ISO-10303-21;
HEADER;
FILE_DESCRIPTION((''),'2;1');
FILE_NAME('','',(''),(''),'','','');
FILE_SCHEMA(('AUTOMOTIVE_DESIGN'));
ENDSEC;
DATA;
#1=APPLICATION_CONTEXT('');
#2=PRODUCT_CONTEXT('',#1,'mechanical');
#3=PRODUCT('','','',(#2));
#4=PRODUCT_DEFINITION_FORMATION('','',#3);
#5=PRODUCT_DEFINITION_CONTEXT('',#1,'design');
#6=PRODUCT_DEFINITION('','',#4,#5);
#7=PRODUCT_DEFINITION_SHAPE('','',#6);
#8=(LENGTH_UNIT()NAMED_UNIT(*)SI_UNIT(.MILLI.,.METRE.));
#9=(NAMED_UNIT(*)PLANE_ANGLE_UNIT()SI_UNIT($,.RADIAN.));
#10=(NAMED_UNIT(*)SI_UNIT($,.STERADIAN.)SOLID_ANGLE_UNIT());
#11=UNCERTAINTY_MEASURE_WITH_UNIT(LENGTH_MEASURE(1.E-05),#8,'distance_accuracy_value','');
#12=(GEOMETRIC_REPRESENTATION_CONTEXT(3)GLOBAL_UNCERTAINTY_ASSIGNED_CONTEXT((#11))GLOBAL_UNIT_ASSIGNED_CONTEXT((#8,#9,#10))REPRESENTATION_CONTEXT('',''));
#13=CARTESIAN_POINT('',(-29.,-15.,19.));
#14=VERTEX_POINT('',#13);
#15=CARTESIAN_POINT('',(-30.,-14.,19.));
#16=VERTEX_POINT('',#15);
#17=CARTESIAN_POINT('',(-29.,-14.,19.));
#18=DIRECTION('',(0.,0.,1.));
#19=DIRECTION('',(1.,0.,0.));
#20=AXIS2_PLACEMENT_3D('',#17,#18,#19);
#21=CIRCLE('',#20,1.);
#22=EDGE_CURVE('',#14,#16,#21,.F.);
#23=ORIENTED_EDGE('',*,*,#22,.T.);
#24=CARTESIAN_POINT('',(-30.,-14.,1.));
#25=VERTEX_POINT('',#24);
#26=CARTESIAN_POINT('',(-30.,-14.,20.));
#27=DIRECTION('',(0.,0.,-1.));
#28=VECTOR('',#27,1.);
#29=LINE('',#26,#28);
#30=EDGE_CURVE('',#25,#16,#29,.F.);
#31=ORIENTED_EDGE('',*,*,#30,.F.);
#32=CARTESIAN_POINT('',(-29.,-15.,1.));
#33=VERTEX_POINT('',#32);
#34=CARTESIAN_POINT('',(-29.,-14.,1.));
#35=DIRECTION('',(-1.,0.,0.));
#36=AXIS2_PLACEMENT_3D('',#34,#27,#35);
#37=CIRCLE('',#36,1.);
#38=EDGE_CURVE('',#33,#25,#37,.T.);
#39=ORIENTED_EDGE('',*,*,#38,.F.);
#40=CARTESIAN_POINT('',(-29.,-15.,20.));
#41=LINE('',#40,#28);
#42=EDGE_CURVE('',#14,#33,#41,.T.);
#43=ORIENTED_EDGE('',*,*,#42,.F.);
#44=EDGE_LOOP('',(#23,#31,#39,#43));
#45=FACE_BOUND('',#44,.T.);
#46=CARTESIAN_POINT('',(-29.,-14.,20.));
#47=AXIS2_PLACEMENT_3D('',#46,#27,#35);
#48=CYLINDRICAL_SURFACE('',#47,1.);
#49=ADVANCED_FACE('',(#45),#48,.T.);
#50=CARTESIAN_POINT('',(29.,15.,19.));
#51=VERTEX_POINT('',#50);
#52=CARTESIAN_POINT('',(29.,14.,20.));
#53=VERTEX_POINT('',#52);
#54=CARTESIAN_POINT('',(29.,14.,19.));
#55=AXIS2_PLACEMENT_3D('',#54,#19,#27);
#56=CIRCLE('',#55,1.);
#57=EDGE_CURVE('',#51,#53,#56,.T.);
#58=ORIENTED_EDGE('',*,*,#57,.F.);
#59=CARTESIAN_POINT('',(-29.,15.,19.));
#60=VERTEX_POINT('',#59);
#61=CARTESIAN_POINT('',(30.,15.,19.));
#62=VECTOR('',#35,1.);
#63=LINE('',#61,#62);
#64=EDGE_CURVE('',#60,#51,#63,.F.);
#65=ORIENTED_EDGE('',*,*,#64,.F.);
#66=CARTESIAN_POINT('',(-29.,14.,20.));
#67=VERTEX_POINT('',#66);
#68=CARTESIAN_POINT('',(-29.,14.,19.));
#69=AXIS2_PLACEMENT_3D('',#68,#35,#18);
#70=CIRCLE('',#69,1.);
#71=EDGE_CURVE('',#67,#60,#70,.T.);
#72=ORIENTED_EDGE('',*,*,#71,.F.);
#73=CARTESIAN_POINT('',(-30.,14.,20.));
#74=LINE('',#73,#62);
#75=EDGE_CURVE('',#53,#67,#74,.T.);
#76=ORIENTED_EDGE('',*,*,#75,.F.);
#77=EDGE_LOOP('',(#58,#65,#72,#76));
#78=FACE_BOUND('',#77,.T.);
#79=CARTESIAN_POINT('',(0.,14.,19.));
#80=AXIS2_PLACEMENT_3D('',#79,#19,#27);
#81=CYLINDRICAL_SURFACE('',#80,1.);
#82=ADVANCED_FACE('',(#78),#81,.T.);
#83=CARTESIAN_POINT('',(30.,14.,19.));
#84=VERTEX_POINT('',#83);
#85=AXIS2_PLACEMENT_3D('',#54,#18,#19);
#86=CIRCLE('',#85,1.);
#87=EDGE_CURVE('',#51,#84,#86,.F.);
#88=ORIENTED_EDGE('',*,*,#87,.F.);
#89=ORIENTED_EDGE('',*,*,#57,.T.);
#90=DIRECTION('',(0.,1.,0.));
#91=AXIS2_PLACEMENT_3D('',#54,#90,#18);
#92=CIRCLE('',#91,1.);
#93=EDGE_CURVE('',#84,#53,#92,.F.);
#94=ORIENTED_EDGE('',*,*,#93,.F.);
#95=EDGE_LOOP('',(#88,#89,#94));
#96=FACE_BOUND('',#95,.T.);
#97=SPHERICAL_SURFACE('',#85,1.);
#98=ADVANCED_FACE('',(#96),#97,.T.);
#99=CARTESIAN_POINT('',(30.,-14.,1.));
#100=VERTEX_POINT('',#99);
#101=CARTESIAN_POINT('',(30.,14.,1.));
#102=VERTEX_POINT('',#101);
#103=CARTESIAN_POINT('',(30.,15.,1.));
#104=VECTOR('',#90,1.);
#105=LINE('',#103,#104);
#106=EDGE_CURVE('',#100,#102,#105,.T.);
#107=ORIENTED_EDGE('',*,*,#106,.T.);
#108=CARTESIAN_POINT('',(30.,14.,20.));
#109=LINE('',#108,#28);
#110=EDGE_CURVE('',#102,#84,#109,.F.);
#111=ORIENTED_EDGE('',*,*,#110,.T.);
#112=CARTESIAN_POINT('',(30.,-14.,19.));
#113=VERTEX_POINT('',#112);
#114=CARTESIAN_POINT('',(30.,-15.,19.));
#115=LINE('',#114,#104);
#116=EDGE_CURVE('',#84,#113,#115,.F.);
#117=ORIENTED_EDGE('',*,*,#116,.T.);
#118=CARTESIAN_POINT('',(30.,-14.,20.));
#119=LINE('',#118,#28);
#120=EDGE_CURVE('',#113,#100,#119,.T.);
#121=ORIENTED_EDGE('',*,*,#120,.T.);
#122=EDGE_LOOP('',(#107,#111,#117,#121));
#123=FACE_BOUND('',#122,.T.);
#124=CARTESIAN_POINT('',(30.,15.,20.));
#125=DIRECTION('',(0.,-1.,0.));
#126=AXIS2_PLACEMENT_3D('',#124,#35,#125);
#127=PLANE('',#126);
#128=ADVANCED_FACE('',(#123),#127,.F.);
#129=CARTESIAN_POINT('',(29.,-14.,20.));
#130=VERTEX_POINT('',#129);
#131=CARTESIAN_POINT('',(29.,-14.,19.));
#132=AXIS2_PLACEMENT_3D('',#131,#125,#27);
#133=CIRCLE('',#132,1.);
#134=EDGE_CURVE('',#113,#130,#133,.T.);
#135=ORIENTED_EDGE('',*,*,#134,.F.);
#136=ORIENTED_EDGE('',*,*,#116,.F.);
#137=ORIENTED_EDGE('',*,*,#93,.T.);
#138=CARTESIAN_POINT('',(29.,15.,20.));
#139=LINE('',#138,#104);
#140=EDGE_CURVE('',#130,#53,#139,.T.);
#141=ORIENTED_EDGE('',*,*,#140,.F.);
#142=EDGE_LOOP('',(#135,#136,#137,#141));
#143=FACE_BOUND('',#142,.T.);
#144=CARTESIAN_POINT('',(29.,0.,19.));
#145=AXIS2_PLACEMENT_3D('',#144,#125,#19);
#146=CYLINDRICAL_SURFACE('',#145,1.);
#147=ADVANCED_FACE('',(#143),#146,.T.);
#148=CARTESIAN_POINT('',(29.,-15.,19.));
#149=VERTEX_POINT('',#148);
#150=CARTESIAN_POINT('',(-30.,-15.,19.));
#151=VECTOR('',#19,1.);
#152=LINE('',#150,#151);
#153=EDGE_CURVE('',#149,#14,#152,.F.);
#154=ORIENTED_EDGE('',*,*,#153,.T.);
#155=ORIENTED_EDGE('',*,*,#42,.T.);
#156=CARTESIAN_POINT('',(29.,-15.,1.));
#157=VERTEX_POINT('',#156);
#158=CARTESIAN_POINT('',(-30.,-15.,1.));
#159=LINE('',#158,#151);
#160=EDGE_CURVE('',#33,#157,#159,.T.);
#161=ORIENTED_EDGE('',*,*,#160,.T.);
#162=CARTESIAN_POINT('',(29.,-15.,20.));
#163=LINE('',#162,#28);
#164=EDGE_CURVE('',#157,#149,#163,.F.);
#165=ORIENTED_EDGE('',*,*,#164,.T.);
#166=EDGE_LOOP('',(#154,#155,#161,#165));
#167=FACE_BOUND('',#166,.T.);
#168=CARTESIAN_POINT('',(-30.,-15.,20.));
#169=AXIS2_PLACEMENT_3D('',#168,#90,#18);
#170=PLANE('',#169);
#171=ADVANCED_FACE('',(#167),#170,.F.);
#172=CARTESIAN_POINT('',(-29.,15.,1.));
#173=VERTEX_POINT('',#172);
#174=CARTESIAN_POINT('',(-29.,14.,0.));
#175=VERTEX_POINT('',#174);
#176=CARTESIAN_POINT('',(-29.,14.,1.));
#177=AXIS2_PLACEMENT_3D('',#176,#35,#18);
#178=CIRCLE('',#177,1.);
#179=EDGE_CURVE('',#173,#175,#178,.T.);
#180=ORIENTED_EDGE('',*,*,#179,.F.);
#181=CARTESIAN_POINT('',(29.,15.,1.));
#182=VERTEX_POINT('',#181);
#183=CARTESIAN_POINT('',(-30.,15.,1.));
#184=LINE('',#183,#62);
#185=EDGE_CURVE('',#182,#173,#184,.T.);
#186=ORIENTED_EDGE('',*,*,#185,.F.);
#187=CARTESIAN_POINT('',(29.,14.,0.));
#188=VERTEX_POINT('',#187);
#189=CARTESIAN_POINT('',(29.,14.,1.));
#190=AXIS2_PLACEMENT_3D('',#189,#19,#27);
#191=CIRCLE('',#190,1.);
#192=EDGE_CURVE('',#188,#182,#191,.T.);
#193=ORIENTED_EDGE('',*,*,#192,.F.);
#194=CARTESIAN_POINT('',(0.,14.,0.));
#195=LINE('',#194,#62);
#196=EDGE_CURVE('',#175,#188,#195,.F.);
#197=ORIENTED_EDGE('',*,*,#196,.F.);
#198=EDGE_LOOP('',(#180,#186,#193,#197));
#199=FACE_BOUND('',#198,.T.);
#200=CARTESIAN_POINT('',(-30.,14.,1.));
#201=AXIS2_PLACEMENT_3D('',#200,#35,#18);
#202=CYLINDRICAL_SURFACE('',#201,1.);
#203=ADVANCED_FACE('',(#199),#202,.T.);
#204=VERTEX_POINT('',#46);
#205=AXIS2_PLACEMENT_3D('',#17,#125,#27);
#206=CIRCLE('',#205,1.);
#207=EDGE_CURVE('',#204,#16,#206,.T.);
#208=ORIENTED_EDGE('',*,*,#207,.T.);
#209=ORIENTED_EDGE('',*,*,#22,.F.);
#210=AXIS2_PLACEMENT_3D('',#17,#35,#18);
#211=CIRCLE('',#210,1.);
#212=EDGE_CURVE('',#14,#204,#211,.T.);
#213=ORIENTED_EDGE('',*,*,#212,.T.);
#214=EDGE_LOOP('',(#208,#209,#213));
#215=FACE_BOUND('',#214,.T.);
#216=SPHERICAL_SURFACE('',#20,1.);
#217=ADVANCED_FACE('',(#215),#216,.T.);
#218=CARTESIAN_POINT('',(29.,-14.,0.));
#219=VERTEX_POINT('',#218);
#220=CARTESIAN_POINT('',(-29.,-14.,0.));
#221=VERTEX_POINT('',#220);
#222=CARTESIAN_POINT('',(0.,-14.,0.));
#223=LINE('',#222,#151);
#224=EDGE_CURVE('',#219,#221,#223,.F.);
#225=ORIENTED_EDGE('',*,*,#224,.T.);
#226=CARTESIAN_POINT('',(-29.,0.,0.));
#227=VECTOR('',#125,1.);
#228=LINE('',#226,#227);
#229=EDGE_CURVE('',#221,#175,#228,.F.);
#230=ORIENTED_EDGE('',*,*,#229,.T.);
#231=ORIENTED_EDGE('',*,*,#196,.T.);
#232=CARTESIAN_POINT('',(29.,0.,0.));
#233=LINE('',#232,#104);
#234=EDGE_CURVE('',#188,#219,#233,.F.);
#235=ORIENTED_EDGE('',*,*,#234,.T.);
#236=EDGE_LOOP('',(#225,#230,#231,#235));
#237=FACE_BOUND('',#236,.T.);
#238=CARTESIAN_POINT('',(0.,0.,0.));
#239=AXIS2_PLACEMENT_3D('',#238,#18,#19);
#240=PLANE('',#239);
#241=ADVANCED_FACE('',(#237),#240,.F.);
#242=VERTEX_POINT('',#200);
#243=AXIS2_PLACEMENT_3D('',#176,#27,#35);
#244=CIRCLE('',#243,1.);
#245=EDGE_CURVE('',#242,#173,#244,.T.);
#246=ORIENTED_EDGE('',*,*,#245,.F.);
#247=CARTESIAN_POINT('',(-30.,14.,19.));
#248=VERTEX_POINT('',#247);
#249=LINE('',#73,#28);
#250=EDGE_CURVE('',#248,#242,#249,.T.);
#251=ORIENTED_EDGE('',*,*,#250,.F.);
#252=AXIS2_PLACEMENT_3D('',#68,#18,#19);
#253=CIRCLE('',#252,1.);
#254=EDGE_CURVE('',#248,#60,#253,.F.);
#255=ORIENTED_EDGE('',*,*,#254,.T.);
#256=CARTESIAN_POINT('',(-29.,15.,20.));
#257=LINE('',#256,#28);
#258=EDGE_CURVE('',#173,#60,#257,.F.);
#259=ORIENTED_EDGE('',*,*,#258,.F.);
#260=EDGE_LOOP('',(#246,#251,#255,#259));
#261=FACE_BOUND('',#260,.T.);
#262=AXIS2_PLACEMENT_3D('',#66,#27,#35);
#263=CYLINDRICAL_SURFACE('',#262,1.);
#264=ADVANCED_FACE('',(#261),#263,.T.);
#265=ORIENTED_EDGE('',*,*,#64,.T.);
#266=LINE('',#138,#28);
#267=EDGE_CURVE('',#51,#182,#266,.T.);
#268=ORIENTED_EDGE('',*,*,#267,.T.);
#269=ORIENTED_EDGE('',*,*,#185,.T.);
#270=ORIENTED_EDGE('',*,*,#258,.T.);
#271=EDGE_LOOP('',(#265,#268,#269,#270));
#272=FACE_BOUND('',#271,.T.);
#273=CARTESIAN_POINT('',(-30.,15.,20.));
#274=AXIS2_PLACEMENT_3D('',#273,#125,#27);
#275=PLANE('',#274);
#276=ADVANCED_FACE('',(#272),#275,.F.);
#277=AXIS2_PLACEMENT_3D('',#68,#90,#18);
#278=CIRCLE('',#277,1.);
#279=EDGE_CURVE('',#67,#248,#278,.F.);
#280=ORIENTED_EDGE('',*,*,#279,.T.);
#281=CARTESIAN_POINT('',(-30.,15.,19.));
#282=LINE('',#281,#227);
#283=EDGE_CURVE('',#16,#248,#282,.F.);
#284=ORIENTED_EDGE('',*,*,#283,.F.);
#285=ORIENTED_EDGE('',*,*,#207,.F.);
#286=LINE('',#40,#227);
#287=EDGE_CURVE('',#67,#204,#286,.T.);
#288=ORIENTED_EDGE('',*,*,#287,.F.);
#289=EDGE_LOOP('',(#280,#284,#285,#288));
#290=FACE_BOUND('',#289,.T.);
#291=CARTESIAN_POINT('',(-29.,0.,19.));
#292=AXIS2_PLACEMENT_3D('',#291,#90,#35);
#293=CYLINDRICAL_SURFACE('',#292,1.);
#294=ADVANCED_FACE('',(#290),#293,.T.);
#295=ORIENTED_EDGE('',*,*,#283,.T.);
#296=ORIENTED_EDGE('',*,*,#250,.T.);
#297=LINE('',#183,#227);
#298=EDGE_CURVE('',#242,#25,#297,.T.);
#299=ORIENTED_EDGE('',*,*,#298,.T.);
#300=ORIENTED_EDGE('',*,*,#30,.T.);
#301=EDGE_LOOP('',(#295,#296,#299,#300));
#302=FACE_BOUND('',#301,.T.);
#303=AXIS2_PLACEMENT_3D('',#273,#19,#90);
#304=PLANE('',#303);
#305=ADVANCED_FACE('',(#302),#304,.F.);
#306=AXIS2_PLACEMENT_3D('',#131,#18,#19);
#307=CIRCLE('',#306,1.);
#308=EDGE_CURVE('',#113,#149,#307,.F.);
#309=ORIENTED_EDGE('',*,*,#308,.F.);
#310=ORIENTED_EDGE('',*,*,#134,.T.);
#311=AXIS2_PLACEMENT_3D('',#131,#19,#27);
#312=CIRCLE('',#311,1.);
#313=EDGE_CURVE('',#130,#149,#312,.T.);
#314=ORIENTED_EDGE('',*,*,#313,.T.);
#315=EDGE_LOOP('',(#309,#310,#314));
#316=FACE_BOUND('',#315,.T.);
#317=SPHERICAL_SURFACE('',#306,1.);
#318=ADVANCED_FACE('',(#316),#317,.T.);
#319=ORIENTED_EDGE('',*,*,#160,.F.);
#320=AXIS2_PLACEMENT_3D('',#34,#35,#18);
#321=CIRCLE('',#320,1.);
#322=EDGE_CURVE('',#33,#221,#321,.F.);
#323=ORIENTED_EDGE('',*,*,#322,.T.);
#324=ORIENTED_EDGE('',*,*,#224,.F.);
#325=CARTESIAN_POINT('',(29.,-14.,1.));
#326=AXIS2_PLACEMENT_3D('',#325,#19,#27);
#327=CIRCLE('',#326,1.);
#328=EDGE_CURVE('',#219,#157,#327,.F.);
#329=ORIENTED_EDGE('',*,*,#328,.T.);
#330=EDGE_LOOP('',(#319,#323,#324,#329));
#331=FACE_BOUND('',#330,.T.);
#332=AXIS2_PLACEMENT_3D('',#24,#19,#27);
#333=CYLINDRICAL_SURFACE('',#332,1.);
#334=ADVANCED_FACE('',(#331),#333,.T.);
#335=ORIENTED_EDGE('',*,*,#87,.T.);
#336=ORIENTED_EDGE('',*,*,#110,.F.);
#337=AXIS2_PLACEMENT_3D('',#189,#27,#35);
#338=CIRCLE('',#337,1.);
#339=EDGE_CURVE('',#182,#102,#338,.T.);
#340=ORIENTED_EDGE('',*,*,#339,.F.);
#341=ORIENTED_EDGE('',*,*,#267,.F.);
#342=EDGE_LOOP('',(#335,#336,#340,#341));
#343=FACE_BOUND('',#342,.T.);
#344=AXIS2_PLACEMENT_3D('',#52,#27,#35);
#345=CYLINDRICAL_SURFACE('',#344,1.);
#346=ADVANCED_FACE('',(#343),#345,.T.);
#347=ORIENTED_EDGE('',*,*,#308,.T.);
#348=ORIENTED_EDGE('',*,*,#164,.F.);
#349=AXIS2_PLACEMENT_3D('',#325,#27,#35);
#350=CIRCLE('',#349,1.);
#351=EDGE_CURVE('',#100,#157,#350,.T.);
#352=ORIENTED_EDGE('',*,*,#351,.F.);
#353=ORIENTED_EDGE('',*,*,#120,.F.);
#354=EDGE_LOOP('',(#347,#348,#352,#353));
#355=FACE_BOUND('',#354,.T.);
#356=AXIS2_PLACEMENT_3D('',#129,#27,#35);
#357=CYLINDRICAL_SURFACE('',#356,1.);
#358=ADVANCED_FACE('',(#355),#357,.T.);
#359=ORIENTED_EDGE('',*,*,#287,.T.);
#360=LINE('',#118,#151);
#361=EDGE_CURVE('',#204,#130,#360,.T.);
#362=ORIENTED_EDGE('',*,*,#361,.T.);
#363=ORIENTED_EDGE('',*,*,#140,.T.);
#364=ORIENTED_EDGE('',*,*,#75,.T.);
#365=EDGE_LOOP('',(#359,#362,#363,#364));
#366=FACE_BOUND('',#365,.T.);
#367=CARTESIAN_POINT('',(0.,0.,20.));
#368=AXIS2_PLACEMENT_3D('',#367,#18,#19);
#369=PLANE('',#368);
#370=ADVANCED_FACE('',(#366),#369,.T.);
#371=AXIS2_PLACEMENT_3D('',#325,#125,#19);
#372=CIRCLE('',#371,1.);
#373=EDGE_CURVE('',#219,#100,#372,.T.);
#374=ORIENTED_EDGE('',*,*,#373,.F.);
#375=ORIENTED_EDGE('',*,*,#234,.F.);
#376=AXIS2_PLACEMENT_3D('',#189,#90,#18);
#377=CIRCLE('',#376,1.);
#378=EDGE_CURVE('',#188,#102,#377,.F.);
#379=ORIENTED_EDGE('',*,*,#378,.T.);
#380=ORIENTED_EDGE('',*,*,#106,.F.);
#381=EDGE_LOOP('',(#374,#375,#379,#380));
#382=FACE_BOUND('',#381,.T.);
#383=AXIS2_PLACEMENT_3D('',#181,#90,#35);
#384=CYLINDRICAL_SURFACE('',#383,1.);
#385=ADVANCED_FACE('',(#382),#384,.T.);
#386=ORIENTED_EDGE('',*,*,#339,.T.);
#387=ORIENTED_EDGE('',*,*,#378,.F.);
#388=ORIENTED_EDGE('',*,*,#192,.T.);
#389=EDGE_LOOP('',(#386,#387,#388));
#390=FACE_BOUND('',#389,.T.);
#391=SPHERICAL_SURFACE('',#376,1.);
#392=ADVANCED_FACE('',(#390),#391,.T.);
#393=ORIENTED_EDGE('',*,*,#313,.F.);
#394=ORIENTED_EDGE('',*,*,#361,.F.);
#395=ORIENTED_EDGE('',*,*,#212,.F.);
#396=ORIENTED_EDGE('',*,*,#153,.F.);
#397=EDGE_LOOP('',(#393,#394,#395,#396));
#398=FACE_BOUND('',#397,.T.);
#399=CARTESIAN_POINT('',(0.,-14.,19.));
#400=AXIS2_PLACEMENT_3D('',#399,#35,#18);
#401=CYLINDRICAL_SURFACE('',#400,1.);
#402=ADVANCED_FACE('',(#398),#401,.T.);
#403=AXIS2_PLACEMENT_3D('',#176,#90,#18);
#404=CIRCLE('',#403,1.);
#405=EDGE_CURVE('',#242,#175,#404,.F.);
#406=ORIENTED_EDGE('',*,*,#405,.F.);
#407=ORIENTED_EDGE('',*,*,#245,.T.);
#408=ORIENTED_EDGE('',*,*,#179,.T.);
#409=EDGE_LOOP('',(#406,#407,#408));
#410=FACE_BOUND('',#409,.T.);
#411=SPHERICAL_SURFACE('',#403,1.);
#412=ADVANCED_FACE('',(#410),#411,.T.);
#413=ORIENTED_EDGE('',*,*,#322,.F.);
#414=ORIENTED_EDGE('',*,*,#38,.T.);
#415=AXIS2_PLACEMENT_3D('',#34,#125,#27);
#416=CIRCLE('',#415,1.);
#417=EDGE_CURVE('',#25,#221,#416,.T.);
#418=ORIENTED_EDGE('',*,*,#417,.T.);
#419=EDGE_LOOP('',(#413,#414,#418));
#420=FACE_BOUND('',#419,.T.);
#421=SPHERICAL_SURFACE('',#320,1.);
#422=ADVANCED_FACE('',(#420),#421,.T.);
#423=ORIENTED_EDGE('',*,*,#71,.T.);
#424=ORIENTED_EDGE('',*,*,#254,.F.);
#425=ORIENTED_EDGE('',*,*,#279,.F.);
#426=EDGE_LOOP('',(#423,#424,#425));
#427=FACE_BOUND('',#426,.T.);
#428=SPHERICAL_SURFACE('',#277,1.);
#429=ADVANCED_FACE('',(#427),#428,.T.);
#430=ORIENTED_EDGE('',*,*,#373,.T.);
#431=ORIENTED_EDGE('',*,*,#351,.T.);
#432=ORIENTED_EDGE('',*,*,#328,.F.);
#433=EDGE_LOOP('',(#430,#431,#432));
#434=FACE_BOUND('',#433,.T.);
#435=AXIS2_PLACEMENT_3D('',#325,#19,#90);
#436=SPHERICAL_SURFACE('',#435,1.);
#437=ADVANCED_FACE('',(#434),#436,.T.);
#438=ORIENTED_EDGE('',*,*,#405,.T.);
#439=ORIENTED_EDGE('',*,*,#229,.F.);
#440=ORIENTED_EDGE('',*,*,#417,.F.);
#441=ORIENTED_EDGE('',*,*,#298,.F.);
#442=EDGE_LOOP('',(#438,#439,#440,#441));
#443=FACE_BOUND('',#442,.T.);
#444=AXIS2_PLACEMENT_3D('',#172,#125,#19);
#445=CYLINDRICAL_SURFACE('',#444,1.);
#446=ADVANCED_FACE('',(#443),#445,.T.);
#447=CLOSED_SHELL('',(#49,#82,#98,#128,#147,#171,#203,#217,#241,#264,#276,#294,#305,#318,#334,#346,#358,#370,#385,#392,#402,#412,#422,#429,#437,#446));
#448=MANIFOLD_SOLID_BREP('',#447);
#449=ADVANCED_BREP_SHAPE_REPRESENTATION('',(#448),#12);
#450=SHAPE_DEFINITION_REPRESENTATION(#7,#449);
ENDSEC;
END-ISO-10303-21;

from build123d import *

# Parameters (mm, degrees)
CROQUIS1_W              = 60
CROQUIS1_H              = 30
SALIENTE_EXTRUIR1_DEPTH = 20
REDONDEO1_R             = 1


with BuildPart() as part:
    # Croquis1 → Saliente-Extruir1 (new body)
    with BuildSketch(Plane.XY):
        Rectangle(CROQUIS1_W, CROQUIS1_H)
    extrude(amount=SALIENTE_EXTRUIR1_DEPTH)

    # Redondeo1
    redondeo1_edges = [part.edges().sort_by_distance(p)[0] for p in [
        (-30, 0, 20),
        (0, -15, 20),
        (30, 0, 20),
        (0, -15, 0),
        (-30, 0, 0),
        (0, 15, 0),
        (30, 0, 0),
        (30, -15, 10),
        (-30, -15, 10),
        (-30, 15, 10),
        (30, 15, 10),
        (0, 15, 20),
    ]]
    fillet(redondeo1_edges, radius=REDONDEO1_R)


solid = part.part
